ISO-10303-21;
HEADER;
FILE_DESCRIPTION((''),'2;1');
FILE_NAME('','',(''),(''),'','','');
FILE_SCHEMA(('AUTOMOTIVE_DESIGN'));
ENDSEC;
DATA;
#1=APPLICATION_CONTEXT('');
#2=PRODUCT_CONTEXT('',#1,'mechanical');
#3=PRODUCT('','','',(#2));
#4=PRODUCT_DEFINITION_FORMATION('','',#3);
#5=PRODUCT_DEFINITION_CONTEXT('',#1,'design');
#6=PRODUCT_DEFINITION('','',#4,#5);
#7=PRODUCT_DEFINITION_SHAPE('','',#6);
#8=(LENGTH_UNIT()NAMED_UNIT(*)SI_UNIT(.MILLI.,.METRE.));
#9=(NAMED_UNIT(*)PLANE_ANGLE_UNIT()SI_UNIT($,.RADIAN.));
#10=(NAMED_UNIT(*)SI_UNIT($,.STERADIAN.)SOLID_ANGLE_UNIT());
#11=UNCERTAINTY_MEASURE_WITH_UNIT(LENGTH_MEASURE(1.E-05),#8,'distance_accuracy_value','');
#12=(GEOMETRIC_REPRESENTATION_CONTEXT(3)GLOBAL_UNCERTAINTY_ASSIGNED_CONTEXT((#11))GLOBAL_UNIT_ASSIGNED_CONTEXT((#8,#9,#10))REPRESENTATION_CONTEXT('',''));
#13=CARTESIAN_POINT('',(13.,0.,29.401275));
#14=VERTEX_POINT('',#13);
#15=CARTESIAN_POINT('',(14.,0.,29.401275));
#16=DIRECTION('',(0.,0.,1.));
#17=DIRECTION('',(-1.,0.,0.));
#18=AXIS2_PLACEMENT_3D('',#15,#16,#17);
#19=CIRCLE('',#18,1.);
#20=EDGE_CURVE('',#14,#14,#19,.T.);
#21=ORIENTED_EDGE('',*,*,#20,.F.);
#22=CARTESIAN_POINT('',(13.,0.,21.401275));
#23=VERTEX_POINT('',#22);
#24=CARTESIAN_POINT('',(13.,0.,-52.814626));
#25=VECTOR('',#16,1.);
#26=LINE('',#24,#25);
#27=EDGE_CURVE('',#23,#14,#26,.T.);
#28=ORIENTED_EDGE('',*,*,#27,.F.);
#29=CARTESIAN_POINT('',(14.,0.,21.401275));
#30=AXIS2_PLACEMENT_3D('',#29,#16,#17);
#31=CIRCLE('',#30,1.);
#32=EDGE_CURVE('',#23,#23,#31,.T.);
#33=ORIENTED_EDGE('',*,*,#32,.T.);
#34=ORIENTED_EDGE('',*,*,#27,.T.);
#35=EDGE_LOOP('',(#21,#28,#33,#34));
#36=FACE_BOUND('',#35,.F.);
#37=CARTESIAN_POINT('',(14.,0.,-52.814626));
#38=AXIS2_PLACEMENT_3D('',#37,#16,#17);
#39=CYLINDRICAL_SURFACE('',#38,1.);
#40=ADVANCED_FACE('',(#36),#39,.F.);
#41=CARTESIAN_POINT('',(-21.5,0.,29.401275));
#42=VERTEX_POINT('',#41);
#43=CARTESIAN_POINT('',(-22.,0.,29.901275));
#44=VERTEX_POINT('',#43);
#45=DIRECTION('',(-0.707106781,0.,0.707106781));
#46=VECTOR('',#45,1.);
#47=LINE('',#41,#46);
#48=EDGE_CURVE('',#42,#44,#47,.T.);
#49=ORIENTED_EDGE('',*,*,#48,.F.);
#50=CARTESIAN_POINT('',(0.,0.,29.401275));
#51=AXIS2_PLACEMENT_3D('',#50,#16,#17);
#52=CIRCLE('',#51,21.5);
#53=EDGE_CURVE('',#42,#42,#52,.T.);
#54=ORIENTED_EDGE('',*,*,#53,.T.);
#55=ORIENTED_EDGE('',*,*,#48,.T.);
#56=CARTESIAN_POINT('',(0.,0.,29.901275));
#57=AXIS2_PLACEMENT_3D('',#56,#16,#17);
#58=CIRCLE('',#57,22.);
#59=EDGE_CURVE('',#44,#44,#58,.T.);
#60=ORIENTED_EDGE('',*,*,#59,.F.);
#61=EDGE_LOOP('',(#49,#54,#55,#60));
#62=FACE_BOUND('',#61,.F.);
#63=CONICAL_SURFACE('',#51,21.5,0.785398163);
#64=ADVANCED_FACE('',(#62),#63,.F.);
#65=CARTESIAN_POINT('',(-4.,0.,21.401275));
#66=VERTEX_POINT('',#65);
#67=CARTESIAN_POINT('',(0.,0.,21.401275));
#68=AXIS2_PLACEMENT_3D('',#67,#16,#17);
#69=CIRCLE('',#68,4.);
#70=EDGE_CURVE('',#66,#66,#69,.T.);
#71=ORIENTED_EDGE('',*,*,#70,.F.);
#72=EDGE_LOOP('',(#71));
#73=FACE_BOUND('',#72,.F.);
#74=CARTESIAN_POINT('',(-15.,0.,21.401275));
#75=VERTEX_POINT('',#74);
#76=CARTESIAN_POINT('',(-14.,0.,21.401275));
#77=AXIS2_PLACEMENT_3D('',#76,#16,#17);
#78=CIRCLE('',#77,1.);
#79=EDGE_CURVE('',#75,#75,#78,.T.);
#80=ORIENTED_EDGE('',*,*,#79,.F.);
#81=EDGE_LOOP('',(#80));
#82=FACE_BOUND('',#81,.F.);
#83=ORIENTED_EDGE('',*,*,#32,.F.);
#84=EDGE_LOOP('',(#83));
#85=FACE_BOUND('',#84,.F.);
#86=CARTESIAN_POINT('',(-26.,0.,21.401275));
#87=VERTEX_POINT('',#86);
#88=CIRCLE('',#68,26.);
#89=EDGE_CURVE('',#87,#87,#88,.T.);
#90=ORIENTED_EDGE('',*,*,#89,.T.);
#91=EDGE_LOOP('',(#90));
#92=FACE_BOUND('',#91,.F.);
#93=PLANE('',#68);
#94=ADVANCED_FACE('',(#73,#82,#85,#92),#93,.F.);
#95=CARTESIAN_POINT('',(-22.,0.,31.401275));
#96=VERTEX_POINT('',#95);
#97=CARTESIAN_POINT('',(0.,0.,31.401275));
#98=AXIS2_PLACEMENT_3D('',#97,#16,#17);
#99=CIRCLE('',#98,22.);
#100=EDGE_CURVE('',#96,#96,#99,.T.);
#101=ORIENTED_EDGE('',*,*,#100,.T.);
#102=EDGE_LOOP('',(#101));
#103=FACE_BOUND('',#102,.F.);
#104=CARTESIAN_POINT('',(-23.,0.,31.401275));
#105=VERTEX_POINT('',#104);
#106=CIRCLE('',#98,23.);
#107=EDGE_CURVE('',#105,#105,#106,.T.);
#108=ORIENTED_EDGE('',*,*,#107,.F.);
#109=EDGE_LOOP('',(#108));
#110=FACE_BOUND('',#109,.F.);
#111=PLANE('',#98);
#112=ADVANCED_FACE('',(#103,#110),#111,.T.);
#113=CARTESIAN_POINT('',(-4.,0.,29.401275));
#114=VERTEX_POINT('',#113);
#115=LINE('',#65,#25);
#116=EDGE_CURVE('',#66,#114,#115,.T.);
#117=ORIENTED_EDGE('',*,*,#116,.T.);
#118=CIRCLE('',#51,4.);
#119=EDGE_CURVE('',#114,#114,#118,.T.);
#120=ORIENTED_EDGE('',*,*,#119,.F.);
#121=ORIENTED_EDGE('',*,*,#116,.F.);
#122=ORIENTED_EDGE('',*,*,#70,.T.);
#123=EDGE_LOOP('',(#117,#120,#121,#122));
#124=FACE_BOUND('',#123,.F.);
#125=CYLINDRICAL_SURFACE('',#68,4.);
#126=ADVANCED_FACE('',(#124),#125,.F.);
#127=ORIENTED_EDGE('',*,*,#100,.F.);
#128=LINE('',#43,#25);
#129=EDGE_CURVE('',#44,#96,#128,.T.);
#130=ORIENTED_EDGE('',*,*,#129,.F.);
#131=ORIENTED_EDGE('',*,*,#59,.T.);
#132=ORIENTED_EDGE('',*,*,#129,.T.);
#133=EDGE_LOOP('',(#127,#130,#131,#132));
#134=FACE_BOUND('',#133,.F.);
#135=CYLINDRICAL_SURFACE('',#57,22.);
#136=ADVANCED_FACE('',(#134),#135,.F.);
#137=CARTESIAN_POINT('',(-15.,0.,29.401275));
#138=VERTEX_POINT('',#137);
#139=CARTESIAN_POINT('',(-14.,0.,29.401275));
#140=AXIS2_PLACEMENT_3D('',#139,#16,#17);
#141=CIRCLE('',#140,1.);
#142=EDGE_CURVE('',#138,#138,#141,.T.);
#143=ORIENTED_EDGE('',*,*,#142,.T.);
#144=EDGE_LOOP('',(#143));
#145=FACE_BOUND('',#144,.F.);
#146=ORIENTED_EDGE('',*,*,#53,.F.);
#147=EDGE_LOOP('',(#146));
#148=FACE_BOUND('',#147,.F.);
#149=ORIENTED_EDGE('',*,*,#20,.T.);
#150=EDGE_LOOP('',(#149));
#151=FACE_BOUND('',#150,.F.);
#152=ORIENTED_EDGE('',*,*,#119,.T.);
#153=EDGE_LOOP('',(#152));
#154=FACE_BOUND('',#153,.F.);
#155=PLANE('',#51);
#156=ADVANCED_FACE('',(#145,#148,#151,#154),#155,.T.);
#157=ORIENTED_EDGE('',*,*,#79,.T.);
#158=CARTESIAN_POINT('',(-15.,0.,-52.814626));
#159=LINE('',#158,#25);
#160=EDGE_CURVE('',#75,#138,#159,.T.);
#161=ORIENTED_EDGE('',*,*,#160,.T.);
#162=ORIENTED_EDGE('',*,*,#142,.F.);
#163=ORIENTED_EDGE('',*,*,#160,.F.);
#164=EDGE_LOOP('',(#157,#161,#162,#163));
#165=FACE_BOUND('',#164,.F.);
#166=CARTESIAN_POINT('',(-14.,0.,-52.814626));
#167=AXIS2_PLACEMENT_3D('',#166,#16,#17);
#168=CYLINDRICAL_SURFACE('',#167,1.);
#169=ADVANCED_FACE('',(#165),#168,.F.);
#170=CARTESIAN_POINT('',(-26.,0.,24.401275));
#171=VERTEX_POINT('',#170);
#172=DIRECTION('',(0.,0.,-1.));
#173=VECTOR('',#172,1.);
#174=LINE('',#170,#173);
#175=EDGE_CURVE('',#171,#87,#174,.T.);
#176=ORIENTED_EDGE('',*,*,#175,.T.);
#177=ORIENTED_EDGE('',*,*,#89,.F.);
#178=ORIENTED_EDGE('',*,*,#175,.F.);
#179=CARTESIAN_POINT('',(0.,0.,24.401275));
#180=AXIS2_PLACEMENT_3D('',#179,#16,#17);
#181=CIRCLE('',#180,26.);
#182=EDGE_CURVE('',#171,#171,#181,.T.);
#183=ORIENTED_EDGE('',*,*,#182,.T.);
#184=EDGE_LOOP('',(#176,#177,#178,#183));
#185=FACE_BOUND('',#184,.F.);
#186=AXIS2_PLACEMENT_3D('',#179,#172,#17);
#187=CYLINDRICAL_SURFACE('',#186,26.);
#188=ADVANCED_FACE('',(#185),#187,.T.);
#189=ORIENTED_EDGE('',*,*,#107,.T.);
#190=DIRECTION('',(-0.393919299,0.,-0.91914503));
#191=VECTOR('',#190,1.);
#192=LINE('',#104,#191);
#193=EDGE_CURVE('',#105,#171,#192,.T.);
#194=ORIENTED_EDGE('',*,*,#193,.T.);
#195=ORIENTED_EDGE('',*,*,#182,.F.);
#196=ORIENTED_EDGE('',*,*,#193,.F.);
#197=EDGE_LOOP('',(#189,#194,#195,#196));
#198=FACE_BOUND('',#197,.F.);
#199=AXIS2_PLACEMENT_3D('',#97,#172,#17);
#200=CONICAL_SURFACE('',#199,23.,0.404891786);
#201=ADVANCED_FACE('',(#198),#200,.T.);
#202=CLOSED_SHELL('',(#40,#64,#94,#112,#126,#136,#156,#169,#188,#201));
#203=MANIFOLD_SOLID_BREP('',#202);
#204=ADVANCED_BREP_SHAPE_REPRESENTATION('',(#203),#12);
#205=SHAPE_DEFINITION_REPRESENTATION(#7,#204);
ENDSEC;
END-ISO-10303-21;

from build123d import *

# Parameters (mm, degrees)
F3_D = 2


with BuildPart() as f1:
    # F0 (on Front) → F1 (revolve)
    with BuildSketch(Plane.XZ):
        Polygon((-26, 21.401275), (-4, 21.401275), (-4, 29.401275), (-21.5, 29.401275), (-22, 29.901275), (-22, 31.401275), (-23, 31.401275), (-26, 24.401275), align=None)
    revolve(axis=Axis((0, 0, 25.401275), (0, 0, 1)))

    # F3 (through all)
    with Locations(Plane(origin=(0, 0, 21.401275), x_dir=(1, 0, 0), z_dir=(0, 0, -1))):
        with Locations((-14, 0), (14, 0)):
            Hole(F3_D / 2)


solid = f1.part
